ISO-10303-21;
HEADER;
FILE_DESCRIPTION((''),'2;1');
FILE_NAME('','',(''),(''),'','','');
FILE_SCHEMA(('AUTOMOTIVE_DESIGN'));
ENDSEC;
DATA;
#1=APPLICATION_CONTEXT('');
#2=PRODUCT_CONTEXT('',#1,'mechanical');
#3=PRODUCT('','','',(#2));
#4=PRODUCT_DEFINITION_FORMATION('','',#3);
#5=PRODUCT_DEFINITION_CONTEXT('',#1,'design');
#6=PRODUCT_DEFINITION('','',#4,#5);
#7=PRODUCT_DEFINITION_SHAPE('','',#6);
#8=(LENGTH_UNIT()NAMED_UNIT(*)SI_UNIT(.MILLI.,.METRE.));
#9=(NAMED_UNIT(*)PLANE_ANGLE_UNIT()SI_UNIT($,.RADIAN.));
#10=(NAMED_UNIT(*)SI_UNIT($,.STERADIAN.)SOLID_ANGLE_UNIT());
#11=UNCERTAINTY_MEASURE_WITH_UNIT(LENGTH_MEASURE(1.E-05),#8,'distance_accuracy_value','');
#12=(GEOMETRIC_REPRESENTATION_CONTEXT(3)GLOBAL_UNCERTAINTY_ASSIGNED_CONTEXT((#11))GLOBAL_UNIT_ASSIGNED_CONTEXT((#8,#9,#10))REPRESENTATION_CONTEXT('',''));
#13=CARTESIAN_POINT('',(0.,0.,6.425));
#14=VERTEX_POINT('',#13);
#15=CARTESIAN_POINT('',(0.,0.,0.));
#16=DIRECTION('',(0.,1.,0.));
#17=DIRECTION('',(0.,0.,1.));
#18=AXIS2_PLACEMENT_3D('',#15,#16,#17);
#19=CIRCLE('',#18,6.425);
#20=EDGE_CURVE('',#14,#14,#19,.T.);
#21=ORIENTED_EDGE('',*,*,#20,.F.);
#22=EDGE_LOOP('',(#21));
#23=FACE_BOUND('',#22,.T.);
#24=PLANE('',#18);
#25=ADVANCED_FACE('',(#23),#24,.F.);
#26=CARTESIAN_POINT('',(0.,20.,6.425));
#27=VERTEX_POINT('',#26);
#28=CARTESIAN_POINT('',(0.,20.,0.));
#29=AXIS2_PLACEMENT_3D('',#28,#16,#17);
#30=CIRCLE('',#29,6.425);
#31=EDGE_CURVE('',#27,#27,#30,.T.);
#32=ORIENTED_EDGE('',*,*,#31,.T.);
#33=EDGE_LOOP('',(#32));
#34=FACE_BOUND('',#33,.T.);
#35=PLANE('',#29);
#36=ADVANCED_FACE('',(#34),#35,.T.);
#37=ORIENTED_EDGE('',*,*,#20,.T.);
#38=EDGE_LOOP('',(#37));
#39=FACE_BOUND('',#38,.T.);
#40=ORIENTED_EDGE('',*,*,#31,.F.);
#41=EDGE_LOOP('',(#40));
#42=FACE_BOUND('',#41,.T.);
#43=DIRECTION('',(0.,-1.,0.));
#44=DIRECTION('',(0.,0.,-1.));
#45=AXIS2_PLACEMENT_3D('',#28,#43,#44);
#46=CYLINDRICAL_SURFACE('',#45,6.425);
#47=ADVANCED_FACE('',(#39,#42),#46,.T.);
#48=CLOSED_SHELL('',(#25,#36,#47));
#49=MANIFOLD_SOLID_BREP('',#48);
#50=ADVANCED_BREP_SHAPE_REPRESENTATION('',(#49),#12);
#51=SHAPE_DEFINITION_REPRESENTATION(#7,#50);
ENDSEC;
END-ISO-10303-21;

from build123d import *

# Parameters (mm, degrees)
BASE_R              = 6.425
BOSS_EXTRUDE1_DEPTH = 20


with BuildPart() as part:
    # Base → Boss-Extrude1 (new body)
    with BuildSketch(Plane(origin=(0, 0, 0), x_dir=(1, 0, 0), z_dir=(0, 1, 0))):
        Circle(BASE_R)
    extrude(amount=BOSS_EXTRUDE1_DEPTH)


solid = part.part
